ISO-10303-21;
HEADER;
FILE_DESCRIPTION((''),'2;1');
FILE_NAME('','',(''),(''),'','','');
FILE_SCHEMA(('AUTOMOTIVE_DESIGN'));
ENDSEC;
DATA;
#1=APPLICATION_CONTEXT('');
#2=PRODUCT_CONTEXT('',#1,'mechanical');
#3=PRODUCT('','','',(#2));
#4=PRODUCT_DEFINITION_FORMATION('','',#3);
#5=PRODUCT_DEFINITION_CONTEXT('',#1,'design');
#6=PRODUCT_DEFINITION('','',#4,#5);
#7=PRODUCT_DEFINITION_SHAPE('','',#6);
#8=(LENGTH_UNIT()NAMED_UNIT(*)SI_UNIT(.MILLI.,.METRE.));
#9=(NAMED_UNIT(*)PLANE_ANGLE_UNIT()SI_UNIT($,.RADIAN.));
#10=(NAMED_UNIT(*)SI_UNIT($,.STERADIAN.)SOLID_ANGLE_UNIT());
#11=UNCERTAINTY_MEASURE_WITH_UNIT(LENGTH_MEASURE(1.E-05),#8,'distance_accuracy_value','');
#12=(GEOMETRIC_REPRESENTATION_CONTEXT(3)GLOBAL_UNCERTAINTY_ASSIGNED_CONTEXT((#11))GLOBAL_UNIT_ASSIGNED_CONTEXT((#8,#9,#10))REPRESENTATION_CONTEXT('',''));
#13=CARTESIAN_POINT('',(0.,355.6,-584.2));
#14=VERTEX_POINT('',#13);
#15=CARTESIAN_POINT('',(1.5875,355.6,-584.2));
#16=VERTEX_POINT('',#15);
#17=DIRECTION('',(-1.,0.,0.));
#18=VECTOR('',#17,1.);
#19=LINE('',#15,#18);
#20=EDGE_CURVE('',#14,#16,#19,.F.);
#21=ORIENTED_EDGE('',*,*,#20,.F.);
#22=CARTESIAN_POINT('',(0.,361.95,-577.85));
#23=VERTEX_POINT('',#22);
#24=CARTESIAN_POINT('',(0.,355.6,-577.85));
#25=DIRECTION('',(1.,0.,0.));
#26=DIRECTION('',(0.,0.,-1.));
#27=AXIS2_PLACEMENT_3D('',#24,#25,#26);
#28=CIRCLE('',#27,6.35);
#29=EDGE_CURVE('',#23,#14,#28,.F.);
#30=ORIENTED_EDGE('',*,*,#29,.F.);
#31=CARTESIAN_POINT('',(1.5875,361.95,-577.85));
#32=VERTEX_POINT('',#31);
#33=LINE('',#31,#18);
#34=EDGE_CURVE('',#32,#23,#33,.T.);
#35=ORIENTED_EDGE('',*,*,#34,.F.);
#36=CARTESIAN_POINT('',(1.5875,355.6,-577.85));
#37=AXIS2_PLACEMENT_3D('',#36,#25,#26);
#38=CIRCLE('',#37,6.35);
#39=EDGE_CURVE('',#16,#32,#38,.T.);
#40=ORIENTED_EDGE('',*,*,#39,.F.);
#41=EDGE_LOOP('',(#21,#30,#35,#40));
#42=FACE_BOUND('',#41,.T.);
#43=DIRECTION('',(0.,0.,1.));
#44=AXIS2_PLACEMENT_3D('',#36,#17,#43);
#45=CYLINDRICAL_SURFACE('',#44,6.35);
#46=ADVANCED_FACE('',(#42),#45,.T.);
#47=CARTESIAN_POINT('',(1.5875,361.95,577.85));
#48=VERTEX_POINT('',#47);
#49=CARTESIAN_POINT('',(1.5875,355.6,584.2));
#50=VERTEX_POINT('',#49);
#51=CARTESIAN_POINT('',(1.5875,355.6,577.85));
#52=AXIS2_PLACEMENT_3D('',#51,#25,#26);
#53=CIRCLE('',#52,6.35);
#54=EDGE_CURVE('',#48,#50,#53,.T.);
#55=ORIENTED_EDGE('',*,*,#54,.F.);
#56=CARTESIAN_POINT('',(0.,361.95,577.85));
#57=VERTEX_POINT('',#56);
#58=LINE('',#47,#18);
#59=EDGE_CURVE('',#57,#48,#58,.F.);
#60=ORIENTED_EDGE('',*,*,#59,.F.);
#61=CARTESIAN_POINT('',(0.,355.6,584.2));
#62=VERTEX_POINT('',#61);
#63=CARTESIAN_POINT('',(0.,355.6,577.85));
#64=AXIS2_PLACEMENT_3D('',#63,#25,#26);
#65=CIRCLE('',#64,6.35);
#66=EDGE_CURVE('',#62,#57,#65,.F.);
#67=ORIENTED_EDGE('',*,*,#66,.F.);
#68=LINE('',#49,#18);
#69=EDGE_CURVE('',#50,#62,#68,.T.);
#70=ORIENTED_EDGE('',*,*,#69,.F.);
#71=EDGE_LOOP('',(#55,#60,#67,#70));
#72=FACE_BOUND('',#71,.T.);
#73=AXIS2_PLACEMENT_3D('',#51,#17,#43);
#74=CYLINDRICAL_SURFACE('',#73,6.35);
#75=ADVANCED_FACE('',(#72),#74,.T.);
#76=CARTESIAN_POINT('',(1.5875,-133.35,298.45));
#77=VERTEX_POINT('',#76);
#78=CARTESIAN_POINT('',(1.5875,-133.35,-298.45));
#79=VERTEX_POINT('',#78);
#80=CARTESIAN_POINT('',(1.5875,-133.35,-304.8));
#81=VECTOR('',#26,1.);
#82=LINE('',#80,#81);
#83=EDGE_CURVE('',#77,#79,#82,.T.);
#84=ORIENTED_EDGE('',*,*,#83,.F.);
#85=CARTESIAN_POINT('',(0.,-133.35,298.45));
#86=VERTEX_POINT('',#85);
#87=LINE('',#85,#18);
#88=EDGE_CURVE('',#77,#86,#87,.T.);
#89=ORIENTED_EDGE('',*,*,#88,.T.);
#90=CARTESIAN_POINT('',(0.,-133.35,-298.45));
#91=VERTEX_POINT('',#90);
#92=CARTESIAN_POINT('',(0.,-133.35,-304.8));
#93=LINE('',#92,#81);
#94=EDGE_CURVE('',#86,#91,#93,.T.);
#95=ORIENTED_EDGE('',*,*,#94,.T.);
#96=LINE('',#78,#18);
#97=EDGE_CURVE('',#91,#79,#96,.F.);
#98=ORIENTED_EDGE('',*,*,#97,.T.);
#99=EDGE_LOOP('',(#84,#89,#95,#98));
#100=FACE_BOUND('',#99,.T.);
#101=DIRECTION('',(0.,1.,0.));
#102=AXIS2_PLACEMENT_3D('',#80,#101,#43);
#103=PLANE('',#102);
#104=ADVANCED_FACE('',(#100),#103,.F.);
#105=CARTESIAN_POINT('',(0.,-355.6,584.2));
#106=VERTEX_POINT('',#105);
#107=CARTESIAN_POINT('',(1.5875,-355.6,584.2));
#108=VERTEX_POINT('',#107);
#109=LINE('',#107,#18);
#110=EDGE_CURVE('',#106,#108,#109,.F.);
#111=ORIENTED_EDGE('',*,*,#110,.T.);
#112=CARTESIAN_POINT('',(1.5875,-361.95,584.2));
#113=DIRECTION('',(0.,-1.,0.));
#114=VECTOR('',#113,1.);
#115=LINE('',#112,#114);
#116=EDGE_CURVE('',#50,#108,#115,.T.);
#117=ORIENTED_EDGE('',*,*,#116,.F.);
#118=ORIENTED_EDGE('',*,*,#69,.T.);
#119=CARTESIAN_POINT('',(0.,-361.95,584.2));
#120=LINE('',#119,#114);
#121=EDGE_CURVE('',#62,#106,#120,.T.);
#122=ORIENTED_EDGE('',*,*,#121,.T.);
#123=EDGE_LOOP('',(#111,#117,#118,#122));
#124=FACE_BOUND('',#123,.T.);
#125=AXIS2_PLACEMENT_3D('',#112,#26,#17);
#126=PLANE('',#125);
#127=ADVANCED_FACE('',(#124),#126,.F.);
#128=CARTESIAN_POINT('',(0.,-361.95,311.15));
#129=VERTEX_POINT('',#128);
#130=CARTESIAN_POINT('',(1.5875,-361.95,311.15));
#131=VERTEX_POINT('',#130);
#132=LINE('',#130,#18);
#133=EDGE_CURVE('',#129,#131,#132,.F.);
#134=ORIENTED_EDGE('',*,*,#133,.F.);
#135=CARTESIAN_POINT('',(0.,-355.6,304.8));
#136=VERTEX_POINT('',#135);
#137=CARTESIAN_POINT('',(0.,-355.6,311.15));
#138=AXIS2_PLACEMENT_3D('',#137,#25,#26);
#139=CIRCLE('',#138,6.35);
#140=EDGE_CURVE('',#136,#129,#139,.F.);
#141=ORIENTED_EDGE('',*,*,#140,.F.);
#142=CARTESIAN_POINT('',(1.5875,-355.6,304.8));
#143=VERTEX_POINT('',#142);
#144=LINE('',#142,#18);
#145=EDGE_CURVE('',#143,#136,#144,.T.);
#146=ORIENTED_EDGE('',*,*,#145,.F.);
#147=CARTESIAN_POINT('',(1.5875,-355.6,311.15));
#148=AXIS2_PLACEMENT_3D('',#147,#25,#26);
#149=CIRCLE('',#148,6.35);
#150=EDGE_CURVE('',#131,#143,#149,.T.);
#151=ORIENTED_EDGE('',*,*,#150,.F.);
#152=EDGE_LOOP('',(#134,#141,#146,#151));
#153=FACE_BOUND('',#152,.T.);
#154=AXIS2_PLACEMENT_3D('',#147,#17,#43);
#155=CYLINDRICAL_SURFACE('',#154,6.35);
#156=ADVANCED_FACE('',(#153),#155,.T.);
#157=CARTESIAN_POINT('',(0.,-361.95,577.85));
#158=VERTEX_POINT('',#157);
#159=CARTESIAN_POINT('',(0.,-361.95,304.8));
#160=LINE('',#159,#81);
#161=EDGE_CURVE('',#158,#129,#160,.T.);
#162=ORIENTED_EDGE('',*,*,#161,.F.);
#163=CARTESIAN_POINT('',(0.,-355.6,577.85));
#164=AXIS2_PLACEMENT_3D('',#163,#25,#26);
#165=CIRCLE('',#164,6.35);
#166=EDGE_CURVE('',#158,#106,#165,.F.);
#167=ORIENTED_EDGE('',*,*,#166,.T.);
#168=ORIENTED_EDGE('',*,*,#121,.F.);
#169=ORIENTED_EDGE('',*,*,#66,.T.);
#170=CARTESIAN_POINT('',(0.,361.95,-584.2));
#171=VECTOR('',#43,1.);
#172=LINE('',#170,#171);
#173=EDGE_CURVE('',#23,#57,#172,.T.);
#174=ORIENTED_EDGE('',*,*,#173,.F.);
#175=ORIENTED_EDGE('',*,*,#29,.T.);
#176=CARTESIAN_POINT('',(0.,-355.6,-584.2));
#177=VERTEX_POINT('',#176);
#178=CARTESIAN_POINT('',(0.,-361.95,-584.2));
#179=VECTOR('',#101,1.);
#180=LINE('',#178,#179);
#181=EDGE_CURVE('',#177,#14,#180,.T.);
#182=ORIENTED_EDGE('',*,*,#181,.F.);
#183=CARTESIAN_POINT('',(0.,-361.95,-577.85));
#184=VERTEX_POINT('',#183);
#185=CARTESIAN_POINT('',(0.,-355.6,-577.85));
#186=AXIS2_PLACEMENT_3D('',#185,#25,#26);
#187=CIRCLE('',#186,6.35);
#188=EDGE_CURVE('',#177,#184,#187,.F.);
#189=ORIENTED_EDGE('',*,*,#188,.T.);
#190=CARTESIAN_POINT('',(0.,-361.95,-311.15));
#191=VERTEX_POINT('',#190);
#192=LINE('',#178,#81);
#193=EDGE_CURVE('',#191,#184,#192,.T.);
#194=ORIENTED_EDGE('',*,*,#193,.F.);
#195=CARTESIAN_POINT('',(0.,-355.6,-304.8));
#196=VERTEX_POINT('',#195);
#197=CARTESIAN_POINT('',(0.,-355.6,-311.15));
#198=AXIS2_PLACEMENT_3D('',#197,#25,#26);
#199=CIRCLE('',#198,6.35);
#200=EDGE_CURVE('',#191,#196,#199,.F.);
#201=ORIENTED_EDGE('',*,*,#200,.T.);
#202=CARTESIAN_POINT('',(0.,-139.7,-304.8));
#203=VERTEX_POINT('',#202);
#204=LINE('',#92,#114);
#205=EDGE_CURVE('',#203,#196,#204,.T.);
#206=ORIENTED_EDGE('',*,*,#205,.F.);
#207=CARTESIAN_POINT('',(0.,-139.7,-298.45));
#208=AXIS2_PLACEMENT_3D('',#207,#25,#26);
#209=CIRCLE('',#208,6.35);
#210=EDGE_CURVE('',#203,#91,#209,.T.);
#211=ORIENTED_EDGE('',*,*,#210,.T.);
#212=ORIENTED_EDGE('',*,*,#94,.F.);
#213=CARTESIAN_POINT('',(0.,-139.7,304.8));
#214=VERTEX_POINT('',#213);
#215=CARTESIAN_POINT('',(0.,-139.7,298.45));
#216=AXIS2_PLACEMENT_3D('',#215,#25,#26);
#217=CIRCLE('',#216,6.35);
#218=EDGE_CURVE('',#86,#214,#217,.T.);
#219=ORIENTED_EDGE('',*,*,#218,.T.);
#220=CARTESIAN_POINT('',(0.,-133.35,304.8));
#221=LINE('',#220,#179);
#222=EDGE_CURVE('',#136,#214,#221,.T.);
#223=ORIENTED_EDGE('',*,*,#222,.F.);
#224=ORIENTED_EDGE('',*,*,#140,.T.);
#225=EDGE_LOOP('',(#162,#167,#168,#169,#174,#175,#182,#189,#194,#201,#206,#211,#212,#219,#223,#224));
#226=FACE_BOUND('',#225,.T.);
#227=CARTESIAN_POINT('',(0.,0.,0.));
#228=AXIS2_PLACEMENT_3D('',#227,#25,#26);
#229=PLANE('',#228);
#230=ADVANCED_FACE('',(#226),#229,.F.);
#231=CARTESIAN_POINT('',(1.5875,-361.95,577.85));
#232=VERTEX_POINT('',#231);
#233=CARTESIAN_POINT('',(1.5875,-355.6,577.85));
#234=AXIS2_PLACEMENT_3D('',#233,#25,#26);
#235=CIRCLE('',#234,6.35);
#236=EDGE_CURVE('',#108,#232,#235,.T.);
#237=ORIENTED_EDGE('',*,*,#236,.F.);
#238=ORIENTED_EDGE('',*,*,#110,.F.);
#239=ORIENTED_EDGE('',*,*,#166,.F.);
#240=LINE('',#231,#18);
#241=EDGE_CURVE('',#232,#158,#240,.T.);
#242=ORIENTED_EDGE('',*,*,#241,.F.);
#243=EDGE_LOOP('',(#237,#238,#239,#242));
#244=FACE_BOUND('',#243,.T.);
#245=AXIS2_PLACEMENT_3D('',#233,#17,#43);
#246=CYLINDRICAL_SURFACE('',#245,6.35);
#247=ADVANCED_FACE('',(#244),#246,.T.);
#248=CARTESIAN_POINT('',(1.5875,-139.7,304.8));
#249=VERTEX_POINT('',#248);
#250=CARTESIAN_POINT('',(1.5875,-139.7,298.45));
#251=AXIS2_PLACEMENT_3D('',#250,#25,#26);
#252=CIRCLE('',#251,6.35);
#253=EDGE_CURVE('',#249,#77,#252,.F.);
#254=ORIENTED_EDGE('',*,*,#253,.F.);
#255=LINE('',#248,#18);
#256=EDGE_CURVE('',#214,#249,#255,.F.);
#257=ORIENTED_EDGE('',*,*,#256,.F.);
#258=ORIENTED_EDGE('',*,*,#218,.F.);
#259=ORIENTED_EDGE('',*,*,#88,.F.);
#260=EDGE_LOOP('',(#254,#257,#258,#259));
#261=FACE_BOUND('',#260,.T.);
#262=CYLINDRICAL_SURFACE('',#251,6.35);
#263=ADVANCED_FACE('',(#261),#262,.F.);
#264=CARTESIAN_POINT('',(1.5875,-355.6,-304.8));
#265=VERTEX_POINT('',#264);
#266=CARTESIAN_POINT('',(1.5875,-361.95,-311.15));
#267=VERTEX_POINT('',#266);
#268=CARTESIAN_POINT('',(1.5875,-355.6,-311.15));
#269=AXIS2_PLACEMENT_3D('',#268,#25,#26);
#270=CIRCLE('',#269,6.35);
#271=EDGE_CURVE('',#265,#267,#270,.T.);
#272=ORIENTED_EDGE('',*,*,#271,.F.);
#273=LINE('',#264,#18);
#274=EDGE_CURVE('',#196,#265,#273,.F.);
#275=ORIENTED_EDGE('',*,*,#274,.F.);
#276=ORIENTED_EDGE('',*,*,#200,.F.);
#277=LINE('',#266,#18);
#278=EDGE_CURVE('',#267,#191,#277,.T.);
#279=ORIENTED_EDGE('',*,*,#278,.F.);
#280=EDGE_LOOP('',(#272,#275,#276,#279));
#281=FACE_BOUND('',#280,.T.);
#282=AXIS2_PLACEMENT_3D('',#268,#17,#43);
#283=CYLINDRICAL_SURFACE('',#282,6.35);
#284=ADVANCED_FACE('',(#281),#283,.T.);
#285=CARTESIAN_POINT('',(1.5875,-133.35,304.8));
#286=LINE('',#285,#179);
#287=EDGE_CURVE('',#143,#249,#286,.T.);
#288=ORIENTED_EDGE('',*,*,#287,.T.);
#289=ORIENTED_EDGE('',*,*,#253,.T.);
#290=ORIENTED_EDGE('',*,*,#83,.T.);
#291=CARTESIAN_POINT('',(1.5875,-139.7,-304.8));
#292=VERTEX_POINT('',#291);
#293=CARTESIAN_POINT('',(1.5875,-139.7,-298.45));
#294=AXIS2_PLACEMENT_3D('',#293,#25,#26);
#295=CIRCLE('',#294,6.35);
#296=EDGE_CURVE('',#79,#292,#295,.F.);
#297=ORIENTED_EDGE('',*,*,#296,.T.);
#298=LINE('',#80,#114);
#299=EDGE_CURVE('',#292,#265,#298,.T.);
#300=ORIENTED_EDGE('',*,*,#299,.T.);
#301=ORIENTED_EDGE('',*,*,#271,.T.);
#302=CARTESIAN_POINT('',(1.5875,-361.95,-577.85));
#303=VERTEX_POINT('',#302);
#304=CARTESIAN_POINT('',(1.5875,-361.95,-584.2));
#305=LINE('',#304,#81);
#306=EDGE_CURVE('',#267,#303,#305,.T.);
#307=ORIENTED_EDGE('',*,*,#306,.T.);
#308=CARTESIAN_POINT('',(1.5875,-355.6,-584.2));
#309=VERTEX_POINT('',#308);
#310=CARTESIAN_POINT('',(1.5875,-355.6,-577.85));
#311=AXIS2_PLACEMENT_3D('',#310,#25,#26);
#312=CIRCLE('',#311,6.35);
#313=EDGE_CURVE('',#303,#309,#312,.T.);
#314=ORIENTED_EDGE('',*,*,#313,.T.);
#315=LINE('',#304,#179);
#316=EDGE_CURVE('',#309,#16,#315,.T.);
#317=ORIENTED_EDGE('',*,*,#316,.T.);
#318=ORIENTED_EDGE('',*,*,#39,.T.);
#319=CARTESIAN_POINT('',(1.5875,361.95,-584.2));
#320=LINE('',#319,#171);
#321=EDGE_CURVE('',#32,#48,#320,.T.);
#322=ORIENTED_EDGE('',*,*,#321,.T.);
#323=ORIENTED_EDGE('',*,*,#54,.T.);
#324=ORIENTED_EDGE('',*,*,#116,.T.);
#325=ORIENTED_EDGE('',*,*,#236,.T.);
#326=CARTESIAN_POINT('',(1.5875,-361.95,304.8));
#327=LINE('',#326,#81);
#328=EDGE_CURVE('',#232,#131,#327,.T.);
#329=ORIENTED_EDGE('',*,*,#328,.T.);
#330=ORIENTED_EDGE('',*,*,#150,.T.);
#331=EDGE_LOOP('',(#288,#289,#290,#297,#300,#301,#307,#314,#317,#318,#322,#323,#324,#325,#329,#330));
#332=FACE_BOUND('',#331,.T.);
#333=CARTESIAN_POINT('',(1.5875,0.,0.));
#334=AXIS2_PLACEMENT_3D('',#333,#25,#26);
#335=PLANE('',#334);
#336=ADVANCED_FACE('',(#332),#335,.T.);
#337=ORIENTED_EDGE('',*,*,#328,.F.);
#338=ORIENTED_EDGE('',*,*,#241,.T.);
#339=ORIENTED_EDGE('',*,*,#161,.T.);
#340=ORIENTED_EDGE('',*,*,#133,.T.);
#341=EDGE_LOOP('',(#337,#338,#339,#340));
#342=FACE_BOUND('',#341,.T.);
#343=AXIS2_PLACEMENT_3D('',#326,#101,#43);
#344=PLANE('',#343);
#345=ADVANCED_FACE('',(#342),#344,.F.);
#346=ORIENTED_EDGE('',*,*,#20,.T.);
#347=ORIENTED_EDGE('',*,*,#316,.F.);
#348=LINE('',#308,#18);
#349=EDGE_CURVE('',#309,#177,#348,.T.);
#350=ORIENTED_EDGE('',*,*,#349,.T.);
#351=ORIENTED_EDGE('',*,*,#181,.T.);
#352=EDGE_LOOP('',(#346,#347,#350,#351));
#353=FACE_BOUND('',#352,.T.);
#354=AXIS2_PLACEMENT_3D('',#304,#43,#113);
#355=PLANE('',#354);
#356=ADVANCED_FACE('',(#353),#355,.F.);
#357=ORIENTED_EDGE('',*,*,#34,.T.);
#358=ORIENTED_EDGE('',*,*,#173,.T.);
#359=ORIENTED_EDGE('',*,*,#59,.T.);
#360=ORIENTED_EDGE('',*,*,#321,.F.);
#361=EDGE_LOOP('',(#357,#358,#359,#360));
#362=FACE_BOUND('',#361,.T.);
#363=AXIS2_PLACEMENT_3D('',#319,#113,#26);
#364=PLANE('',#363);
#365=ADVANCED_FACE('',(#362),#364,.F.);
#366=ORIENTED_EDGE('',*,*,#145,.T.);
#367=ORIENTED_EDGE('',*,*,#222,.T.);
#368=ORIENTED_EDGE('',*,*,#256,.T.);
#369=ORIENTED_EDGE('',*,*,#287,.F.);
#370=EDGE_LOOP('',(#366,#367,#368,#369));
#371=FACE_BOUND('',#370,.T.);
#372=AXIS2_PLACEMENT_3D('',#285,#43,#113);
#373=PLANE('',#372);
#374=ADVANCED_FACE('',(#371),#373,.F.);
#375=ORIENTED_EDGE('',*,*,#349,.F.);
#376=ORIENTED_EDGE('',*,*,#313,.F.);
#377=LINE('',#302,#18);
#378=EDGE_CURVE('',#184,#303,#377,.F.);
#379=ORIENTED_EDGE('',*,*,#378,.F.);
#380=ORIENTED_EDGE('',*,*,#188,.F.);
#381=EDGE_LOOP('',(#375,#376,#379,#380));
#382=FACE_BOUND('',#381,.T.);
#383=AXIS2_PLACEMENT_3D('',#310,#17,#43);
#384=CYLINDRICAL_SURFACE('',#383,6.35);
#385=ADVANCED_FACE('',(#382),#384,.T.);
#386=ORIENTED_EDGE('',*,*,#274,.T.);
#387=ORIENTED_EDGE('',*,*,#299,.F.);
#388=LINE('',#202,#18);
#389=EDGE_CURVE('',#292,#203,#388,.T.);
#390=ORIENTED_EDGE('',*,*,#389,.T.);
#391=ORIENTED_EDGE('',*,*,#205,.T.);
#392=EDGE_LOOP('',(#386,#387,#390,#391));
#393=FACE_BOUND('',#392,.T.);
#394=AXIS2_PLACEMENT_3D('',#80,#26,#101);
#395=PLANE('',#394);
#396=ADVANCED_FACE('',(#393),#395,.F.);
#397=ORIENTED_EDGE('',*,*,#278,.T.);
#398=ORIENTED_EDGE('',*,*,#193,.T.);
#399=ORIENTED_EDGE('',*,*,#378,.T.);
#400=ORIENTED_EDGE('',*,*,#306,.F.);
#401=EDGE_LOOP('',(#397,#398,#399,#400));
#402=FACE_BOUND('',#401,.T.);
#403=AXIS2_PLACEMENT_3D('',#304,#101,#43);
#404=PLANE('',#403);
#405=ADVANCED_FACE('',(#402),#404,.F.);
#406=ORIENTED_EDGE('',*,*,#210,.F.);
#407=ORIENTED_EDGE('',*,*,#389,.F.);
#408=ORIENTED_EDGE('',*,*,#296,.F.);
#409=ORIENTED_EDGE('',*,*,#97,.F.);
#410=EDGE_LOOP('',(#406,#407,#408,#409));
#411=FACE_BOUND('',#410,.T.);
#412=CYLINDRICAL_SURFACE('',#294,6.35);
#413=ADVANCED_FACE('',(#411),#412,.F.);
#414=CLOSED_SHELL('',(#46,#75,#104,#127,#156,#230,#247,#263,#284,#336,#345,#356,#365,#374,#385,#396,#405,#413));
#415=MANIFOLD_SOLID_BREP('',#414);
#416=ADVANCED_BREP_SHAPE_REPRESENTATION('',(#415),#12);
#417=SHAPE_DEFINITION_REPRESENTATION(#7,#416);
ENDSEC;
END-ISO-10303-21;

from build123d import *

# Parameters (mm, degrees)
BOSS_EXTRUDE1_DEPTH = 1.5875
FILLET1_R           = 6.35


with BuildPart() as part:
    # Sketch1 → Boss-Extrude1 (new body)
    with BuildSketch(Plane(origin=(0, 0, 0), x_dir=(0, 0, -1), z_dir=(1, 0, 0))):
        Polygon((-304.8, -361.95), (-584.2, -361.95), (-584.2, 361.95), (584.2, 361.95), (584.2, -361.95), (304.8, -361.95), (304.8, -133.35), (-304.8, -133.35), align=None)
    extrude(amount=BOSS_EXTRUDE1_DEPTH)

    # Fillet1
    fillet1_edges = [part.edges().sort_by_distance(p)[0] for p in [
        (0.79375, 361.95, 584.2),
        (0.79375, 361.95, -584.2),
        (0.79375, -361.95, -584.2),
        (0.79375, -361.95, -304.8),
        (0.79375, -133.35, -304.8),
        (0.79375, -133.35, 304.8),
        (0.79375, -361.95, 304.8),
        (0.79375, -361.95, 584.2),
    ]]
    fillet(fillet1_edges, radius=FILLET1_R)


solid = part.part
